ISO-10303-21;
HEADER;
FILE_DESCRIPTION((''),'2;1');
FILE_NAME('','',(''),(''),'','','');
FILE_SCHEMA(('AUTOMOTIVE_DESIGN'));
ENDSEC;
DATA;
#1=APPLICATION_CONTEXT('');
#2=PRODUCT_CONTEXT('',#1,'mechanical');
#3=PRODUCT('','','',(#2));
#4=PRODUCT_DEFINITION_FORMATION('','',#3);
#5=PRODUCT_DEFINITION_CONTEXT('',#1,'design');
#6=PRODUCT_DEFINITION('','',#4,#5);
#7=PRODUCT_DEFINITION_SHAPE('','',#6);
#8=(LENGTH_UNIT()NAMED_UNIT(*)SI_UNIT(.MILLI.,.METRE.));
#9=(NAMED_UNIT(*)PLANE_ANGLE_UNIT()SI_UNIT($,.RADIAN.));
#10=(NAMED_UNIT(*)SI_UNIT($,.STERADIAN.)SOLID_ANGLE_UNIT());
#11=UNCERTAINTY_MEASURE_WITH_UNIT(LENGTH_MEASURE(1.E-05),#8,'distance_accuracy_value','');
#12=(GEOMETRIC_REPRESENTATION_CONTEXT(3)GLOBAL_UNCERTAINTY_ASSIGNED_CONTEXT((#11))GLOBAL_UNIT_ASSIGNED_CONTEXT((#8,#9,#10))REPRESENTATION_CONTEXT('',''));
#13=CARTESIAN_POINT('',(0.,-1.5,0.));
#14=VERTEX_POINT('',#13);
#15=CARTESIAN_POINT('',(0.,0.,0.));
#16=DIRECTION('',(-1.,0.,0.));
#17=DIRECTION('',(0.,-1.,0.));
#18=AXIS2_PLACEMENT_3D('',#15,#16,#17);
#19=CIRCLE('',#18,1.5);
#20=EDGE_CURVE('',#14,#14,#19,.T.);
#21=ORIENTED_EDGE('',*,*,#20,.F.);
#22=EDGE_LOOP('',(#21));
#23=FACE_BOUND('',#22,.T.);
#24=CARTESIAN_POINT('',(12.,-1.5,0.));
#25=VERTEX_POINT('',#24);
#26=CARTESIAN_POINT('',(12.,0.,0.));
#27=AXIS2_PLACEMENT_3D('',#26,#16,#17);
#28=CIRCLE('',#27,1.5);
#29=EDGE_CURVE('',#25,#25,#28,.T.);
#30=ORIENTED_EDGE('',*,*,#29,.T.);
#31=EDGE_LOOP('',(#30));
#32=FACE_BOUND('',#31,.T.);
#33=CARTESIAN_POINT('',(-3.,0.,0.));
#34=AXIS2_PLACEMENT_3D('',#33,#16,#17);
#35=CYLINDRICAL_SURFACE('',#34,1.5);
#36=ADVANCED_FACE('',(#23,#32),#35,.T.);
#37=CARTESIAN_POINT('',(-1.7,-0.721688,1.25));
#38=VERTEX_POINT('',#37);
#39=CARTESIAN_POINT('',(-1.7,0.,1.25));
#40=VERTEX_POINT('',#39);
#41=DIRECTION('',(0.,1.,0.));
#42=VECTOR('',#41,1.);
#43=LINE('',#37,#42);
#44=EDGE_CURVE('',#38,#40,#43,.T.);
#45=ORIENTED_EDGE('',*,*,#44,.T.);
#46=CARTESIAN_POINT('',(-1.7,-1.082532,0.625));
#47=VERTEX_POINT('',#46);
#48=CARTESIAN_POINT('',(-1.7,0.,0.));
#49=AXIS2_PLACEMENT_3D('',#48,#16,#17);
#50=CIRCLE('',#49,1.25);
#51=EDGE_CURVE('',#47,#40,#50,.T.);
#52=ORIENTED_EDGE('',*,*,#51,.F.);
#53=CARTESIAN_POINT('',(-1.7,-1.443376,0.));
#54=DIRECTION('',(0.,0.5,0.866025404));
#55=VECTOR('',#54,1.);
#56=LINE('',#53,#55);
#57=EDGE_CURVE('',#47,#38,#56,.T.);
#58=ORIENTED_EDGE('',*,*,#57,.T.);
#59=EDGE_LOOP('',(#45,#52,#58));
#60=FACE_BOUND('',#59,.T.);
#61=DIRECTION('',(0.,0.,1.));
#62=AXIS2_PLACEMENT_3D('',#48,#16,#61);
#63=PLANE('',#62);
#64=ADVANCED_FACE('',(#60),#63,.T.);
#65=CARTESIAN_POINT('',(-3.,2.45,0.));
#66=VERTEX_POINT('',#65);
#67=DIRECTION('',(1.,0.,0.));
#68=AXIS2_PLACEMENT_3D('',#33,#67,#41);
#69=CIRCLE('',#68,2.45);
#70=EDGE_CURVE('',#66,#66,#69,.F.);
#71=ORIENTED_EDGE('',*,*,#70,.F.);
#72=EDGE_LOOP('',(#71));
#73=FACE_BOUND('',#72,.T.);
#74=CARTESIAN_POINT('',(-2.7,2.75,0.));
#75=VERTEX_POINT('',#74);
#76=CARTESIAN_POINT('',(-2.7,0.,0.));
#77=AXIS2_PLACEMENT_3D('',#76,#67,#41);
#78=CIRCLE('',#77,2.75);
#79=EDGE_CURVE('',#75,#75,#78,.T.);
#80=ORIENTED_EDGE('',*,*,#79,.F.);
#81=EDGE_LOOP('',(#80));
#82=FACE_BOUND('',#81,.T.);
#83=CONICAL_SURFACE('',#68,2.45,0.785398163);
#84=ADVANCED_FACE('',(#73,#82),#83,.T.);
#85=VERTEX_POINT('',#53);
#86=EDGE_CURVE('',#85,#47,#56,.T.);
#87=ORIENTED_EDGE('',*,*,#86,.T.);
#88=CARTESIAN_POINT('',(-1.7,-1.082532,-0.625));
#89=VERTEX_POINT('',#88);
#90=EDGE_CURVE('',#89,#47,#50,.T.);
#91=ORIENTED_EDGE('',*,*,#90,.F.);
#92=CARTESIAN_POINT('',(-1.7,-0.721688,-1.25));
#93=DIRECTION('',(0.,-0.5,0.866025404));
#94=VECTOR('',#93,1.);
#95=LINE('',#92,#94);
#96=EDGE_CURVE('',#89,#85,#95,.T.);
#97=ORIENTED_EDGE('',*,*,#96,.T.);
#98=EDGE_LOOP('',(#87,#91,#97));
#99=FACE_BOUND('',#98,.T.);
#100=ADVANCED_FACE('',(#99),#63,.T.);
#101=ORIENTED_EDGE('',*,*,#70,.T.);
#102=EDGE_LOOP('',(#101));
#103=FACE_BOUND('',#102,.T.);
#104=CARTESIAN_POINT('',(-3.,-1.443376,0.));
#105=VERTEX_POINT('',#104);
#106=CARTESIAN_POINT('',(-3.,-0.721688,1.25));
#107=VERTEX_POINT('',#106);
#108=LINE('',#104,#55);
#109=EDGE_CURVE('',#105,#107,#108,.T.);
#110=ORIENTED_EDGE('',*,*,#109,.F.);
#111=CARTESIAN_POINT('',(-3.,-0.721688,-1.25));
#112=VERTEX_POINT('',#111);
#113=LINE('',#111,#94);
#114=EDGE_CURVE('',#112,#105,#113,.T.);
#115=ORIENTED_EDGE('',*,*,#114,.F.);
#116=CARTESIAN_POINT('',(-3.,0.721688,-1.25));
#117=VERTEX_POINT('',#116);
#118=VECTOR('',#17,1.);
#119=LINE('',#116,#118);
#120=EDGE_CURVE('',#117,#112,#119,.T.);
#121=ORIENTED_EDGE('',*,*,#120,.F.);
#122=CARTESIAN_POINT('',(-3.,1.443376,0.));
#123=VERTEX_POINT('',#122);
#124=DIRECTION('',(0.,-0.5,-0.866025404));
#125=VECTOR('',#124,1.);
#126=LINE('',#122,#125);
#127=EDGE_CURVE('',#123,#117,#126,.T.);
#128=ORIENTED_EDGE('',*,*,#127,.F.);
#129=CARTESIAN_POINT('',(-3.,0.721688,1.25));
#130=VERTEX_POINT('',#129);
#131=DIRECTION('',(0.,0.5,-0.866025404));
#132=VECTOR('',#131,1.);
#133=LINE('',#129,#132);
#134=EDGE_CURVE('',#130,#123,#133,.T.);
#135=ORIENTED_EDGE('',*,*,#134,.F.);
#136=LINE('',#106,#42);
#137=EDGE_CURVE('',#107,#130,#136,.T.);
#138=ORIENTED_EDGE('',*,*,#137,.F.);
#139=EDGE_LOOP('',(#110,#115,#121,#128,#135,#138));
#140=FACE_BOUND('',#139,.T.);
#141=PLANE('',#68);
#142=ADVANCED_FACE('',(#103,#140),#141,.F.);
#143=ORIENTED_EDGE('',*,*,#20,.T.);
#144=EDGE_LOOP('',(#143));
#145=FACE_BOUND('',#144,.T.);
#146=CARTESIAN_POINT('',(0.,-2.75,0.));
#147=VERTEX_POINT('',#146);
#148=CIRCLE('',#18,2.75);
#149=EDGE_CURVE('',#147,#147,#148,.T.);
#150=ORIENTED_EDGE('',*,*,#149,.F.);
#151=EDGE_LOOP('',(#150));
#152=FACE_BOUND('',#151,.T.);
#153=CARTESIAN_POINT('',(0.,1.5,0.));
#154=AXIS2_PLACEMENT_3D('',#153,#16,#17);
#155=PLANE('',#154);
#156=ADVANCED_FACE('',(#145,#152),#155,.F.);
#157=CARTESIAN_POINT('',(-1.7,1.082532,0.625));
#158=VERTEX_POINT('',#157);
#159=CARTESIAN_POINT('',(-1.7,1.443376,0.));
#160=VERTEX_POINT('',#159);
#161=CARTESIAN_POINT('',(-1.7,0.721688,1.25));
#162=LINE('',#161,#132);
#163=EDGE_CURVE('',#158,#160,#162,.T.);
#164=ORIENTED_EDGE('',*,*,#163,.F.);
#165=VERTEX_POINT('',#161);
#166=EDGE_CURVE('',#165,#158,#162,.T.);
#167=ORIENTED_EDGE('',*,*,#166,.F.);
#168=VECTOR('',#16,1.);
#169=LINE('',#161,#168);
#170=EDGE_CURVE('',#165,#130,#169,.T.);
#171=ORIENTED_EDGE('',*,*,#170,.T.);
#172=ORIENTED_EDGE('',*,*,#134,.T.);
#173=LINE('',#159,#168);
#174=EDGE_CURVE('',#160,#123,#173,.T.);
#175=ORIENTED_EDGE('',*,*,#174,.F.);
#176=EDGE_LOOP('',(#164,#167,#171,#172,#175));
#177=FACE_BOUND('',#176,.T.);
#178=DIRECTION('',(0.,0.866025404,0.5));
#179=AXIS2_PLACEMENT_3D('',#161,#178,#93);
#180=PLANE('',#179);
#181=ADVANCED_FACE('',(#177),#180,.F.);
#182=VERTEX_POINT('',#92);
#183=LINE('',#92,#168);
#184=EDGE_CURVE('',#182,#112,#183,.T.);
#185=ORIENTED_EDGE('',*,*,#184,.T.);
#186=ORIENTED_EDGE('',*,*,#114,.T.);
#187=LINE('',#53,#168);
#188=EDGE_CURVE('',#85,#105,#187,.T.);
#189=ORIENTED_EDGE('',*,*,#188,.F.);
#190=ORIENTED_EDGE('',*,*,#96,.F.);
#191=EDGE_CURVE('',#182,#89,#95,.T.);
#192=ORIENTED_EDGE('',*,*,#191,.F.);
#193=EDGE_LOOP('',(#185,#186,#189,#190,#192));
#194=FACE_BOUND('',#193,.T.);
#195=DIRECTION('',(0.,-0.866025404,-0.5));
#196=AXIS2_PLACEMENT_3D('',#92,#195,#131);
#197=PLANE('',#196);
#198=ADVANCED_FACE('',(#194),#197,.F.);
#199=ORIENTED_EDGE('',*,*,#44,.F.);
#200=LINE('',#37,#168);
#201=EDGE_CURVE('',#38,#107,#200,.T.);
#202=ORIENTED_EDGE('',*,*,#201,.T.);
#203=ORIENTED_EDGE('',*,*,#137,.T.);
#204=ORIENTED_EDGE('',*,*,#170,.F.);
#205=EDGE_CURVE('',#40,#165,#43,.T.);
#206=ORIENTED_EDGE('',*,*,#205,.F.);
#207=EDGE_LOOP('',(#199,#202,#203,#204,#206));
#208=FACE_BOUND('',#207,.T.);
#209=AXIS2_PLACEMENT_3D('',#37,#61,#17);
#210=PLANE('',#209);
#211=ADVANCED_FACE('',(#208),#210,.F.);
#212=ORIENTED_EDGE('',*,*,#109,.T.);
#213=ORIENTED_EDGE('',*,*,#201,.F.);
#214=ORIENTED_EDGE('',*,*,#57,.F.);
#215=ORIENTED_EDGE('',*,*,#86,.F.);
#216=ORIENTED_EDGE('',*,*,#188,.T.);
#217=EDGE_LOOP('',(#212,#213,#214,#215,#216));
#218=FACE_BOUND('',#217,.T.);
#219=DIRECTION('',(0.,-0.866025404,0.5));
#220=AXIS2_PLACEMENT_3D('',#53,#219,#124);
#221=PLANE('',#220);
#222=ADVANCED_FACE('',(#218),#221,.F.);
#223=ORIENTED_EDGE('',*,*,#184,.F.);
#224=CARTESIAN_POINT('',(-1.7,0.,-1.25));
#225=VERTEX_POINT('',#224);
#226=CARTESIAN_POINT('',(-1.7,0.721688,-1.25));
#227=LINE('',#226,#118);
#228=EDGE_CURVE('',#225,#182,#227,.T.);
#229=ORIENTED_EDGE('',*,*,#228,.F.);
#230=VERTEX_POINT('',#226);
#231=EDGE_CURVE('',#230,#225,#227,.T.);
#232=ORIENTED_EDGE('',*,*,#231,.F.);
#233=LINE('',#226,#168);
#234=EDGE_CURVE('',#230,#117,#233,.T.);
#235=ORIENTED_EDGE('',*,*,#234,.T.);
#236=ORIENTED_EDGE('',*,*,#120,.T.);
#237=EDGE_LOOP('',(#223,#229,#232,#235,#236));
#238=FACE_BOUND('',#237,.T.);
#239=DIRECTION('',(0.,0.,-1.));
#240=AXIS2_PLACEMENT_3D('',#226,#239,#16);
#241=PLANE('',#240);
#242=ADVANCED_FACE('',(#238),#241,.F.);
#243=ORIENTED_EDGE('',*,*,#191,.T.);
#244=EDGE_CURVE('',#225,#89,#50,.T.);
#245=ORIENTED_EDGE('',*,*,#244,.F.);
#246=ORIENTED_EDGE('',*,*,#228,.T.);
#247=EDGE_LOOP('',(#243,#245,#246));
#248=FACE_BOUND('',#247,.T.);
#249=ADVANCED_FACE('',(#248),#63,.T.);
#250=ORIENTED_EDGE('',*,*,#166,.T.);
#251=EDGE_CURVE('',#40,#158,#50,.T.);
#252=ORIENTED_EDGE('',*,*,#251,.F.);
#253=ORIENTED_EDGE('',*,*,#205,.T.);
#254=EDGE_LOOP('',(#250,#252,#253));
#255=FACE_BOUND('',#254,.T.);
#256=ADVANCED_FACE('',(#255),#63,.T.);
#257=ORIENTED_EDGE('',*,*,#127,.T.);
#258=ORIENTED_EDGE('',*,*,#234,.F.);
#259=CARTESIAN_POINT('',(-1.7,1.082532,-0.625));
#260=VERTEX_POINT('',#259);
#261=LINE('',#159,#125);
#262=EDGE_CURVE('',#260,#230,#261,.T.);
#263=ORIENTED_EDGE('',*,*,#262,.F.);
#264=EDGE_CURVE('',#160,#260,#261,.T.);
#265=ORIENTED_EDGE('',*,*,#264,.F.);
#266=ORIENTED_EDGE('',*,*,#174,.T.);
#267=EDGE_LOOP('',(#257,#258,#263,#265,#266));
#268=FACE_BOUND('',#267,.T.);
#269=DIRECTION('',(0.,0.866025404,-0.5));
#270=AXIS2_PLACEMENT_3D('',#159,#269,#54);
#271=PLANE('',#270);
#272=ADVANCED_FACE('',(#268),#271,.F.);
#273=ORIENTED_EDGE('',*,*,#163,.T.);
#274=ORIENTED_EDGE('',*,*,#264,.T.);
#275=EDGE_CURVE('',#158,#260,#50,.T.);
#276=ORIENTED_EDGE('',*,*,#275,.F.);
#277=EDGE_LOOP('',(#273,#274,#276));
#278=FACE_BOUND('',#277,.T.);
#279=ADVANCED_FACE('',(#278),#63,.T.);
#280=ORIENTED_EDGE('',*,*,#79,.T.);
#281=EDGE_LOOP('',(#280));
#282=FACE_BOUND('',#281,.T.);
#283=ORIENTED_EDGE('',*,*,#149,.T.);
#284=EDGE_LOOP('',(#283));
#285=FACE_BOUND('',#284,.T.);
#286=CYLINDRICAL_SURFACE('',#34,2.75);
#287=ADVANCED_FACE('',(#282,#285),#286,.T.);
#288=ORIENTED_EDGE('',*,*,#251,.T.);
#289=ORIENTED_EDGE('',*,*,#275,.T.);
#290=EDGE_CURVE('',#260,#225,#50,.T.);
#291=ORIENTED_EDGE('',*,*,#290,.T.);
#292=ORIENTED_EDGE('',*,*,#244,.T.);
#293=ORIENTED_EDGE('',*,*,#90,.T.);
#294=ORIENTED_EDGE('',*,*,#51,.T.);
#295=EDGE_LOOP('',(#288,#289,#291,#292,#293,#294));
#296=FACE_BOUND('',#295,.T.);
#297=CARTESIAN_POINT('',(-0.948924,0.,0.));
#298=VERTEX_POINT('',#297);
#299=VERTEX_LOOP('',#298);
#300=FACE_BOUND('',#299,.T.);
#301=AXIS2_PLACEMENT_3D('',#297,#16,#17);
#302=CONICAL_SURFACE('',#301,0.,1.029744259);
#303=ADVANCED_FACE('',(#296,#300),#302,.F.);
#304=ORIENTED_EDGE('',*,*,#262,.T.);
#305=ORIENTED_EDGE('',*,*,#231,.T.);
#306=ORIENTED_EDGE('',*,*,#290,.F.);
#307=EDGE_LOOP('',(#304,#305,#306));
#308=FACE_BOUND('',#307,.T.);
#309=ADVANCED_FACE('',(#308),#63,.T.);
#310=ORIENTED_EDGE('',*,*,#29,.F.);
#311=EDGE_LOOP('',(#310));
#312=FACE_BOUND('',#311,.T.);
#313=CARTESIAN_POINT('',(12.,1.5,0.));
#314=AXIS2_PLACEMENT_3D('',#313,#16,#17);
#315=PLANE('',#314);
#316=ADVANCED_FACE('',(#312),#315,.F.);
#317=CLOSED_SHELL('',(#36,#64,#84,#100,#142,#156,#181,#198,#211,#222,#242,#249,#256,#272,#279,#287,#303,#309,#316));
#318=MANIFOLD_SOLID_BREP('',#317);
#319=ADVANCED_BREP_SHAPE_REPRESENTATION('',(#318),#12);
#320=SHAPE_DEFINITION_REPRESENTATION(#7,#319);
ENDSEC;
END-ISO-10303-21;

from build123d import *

# Parameters (mm, degrees)
CUT_EXTRUDE1_DEPTH = 1.3
CHAMFER1_SIZE      = 0.3


with BuildPart() as part:
    # Sketch1 → Revolve1 (revolve)
    with BuildSketch(Plane.XY, mode=Mode.PRIVATE) as revolve1_sk:
        Polygon((0, 1.5), (12, 1.5), (12, 0), (-3, 0), (-3, 2.75), (0, 2.75), align=None)
    revolve(revolve1_sk.sketch.rotate(Axis((-3, 0, 0), (1, 0, 0)), 180), axis=Axis((-3, 0, 0), (1, 0, 0)))

    # Sketch2 → Cut-Revolve1 (revolve, cut)
    with BuildSketch(Plane.XY, mode=Mode.PRIVATE) as cut_revolve1_sk:
        Polygon((-0.948924226, 0), (-1.7, 1.25), (-3, 1.25), (-3, 0), align=None)
    revolve(cut_revolve1_sk.sketch.rotate(Axis((-3, 0, 0), (1, 0, 0)), 180), axis=Axis((-3, 0, 0), (1, 0, 0)), mode=Mode.SUBTRACT)

    # Sketch3 → Cut-Extrude1 (cut)
    with BuildSketch(Plane.ZY.offset(3)):
        Polygon((1.25, 0.721687836), (0, 1.443375673), (-1.25, 0.721687836), (-1.25, -0.721687836), (0, -1.443375673), (1.25, -0.721687836), align=None)
    extrude(amount=-CUT_EXTRUDE1_DEPTH, mode=Mode.SUBTRACT)

    # Chamfer1
    chamfer1_edges = [part.edges().sort_by_distance(p)[0] for p in [
        (-3, 2.75, 0),
    ]]
    chamfer(chamfer1_edges, length=CHAMFER1_SIZE)


solid = part.part
